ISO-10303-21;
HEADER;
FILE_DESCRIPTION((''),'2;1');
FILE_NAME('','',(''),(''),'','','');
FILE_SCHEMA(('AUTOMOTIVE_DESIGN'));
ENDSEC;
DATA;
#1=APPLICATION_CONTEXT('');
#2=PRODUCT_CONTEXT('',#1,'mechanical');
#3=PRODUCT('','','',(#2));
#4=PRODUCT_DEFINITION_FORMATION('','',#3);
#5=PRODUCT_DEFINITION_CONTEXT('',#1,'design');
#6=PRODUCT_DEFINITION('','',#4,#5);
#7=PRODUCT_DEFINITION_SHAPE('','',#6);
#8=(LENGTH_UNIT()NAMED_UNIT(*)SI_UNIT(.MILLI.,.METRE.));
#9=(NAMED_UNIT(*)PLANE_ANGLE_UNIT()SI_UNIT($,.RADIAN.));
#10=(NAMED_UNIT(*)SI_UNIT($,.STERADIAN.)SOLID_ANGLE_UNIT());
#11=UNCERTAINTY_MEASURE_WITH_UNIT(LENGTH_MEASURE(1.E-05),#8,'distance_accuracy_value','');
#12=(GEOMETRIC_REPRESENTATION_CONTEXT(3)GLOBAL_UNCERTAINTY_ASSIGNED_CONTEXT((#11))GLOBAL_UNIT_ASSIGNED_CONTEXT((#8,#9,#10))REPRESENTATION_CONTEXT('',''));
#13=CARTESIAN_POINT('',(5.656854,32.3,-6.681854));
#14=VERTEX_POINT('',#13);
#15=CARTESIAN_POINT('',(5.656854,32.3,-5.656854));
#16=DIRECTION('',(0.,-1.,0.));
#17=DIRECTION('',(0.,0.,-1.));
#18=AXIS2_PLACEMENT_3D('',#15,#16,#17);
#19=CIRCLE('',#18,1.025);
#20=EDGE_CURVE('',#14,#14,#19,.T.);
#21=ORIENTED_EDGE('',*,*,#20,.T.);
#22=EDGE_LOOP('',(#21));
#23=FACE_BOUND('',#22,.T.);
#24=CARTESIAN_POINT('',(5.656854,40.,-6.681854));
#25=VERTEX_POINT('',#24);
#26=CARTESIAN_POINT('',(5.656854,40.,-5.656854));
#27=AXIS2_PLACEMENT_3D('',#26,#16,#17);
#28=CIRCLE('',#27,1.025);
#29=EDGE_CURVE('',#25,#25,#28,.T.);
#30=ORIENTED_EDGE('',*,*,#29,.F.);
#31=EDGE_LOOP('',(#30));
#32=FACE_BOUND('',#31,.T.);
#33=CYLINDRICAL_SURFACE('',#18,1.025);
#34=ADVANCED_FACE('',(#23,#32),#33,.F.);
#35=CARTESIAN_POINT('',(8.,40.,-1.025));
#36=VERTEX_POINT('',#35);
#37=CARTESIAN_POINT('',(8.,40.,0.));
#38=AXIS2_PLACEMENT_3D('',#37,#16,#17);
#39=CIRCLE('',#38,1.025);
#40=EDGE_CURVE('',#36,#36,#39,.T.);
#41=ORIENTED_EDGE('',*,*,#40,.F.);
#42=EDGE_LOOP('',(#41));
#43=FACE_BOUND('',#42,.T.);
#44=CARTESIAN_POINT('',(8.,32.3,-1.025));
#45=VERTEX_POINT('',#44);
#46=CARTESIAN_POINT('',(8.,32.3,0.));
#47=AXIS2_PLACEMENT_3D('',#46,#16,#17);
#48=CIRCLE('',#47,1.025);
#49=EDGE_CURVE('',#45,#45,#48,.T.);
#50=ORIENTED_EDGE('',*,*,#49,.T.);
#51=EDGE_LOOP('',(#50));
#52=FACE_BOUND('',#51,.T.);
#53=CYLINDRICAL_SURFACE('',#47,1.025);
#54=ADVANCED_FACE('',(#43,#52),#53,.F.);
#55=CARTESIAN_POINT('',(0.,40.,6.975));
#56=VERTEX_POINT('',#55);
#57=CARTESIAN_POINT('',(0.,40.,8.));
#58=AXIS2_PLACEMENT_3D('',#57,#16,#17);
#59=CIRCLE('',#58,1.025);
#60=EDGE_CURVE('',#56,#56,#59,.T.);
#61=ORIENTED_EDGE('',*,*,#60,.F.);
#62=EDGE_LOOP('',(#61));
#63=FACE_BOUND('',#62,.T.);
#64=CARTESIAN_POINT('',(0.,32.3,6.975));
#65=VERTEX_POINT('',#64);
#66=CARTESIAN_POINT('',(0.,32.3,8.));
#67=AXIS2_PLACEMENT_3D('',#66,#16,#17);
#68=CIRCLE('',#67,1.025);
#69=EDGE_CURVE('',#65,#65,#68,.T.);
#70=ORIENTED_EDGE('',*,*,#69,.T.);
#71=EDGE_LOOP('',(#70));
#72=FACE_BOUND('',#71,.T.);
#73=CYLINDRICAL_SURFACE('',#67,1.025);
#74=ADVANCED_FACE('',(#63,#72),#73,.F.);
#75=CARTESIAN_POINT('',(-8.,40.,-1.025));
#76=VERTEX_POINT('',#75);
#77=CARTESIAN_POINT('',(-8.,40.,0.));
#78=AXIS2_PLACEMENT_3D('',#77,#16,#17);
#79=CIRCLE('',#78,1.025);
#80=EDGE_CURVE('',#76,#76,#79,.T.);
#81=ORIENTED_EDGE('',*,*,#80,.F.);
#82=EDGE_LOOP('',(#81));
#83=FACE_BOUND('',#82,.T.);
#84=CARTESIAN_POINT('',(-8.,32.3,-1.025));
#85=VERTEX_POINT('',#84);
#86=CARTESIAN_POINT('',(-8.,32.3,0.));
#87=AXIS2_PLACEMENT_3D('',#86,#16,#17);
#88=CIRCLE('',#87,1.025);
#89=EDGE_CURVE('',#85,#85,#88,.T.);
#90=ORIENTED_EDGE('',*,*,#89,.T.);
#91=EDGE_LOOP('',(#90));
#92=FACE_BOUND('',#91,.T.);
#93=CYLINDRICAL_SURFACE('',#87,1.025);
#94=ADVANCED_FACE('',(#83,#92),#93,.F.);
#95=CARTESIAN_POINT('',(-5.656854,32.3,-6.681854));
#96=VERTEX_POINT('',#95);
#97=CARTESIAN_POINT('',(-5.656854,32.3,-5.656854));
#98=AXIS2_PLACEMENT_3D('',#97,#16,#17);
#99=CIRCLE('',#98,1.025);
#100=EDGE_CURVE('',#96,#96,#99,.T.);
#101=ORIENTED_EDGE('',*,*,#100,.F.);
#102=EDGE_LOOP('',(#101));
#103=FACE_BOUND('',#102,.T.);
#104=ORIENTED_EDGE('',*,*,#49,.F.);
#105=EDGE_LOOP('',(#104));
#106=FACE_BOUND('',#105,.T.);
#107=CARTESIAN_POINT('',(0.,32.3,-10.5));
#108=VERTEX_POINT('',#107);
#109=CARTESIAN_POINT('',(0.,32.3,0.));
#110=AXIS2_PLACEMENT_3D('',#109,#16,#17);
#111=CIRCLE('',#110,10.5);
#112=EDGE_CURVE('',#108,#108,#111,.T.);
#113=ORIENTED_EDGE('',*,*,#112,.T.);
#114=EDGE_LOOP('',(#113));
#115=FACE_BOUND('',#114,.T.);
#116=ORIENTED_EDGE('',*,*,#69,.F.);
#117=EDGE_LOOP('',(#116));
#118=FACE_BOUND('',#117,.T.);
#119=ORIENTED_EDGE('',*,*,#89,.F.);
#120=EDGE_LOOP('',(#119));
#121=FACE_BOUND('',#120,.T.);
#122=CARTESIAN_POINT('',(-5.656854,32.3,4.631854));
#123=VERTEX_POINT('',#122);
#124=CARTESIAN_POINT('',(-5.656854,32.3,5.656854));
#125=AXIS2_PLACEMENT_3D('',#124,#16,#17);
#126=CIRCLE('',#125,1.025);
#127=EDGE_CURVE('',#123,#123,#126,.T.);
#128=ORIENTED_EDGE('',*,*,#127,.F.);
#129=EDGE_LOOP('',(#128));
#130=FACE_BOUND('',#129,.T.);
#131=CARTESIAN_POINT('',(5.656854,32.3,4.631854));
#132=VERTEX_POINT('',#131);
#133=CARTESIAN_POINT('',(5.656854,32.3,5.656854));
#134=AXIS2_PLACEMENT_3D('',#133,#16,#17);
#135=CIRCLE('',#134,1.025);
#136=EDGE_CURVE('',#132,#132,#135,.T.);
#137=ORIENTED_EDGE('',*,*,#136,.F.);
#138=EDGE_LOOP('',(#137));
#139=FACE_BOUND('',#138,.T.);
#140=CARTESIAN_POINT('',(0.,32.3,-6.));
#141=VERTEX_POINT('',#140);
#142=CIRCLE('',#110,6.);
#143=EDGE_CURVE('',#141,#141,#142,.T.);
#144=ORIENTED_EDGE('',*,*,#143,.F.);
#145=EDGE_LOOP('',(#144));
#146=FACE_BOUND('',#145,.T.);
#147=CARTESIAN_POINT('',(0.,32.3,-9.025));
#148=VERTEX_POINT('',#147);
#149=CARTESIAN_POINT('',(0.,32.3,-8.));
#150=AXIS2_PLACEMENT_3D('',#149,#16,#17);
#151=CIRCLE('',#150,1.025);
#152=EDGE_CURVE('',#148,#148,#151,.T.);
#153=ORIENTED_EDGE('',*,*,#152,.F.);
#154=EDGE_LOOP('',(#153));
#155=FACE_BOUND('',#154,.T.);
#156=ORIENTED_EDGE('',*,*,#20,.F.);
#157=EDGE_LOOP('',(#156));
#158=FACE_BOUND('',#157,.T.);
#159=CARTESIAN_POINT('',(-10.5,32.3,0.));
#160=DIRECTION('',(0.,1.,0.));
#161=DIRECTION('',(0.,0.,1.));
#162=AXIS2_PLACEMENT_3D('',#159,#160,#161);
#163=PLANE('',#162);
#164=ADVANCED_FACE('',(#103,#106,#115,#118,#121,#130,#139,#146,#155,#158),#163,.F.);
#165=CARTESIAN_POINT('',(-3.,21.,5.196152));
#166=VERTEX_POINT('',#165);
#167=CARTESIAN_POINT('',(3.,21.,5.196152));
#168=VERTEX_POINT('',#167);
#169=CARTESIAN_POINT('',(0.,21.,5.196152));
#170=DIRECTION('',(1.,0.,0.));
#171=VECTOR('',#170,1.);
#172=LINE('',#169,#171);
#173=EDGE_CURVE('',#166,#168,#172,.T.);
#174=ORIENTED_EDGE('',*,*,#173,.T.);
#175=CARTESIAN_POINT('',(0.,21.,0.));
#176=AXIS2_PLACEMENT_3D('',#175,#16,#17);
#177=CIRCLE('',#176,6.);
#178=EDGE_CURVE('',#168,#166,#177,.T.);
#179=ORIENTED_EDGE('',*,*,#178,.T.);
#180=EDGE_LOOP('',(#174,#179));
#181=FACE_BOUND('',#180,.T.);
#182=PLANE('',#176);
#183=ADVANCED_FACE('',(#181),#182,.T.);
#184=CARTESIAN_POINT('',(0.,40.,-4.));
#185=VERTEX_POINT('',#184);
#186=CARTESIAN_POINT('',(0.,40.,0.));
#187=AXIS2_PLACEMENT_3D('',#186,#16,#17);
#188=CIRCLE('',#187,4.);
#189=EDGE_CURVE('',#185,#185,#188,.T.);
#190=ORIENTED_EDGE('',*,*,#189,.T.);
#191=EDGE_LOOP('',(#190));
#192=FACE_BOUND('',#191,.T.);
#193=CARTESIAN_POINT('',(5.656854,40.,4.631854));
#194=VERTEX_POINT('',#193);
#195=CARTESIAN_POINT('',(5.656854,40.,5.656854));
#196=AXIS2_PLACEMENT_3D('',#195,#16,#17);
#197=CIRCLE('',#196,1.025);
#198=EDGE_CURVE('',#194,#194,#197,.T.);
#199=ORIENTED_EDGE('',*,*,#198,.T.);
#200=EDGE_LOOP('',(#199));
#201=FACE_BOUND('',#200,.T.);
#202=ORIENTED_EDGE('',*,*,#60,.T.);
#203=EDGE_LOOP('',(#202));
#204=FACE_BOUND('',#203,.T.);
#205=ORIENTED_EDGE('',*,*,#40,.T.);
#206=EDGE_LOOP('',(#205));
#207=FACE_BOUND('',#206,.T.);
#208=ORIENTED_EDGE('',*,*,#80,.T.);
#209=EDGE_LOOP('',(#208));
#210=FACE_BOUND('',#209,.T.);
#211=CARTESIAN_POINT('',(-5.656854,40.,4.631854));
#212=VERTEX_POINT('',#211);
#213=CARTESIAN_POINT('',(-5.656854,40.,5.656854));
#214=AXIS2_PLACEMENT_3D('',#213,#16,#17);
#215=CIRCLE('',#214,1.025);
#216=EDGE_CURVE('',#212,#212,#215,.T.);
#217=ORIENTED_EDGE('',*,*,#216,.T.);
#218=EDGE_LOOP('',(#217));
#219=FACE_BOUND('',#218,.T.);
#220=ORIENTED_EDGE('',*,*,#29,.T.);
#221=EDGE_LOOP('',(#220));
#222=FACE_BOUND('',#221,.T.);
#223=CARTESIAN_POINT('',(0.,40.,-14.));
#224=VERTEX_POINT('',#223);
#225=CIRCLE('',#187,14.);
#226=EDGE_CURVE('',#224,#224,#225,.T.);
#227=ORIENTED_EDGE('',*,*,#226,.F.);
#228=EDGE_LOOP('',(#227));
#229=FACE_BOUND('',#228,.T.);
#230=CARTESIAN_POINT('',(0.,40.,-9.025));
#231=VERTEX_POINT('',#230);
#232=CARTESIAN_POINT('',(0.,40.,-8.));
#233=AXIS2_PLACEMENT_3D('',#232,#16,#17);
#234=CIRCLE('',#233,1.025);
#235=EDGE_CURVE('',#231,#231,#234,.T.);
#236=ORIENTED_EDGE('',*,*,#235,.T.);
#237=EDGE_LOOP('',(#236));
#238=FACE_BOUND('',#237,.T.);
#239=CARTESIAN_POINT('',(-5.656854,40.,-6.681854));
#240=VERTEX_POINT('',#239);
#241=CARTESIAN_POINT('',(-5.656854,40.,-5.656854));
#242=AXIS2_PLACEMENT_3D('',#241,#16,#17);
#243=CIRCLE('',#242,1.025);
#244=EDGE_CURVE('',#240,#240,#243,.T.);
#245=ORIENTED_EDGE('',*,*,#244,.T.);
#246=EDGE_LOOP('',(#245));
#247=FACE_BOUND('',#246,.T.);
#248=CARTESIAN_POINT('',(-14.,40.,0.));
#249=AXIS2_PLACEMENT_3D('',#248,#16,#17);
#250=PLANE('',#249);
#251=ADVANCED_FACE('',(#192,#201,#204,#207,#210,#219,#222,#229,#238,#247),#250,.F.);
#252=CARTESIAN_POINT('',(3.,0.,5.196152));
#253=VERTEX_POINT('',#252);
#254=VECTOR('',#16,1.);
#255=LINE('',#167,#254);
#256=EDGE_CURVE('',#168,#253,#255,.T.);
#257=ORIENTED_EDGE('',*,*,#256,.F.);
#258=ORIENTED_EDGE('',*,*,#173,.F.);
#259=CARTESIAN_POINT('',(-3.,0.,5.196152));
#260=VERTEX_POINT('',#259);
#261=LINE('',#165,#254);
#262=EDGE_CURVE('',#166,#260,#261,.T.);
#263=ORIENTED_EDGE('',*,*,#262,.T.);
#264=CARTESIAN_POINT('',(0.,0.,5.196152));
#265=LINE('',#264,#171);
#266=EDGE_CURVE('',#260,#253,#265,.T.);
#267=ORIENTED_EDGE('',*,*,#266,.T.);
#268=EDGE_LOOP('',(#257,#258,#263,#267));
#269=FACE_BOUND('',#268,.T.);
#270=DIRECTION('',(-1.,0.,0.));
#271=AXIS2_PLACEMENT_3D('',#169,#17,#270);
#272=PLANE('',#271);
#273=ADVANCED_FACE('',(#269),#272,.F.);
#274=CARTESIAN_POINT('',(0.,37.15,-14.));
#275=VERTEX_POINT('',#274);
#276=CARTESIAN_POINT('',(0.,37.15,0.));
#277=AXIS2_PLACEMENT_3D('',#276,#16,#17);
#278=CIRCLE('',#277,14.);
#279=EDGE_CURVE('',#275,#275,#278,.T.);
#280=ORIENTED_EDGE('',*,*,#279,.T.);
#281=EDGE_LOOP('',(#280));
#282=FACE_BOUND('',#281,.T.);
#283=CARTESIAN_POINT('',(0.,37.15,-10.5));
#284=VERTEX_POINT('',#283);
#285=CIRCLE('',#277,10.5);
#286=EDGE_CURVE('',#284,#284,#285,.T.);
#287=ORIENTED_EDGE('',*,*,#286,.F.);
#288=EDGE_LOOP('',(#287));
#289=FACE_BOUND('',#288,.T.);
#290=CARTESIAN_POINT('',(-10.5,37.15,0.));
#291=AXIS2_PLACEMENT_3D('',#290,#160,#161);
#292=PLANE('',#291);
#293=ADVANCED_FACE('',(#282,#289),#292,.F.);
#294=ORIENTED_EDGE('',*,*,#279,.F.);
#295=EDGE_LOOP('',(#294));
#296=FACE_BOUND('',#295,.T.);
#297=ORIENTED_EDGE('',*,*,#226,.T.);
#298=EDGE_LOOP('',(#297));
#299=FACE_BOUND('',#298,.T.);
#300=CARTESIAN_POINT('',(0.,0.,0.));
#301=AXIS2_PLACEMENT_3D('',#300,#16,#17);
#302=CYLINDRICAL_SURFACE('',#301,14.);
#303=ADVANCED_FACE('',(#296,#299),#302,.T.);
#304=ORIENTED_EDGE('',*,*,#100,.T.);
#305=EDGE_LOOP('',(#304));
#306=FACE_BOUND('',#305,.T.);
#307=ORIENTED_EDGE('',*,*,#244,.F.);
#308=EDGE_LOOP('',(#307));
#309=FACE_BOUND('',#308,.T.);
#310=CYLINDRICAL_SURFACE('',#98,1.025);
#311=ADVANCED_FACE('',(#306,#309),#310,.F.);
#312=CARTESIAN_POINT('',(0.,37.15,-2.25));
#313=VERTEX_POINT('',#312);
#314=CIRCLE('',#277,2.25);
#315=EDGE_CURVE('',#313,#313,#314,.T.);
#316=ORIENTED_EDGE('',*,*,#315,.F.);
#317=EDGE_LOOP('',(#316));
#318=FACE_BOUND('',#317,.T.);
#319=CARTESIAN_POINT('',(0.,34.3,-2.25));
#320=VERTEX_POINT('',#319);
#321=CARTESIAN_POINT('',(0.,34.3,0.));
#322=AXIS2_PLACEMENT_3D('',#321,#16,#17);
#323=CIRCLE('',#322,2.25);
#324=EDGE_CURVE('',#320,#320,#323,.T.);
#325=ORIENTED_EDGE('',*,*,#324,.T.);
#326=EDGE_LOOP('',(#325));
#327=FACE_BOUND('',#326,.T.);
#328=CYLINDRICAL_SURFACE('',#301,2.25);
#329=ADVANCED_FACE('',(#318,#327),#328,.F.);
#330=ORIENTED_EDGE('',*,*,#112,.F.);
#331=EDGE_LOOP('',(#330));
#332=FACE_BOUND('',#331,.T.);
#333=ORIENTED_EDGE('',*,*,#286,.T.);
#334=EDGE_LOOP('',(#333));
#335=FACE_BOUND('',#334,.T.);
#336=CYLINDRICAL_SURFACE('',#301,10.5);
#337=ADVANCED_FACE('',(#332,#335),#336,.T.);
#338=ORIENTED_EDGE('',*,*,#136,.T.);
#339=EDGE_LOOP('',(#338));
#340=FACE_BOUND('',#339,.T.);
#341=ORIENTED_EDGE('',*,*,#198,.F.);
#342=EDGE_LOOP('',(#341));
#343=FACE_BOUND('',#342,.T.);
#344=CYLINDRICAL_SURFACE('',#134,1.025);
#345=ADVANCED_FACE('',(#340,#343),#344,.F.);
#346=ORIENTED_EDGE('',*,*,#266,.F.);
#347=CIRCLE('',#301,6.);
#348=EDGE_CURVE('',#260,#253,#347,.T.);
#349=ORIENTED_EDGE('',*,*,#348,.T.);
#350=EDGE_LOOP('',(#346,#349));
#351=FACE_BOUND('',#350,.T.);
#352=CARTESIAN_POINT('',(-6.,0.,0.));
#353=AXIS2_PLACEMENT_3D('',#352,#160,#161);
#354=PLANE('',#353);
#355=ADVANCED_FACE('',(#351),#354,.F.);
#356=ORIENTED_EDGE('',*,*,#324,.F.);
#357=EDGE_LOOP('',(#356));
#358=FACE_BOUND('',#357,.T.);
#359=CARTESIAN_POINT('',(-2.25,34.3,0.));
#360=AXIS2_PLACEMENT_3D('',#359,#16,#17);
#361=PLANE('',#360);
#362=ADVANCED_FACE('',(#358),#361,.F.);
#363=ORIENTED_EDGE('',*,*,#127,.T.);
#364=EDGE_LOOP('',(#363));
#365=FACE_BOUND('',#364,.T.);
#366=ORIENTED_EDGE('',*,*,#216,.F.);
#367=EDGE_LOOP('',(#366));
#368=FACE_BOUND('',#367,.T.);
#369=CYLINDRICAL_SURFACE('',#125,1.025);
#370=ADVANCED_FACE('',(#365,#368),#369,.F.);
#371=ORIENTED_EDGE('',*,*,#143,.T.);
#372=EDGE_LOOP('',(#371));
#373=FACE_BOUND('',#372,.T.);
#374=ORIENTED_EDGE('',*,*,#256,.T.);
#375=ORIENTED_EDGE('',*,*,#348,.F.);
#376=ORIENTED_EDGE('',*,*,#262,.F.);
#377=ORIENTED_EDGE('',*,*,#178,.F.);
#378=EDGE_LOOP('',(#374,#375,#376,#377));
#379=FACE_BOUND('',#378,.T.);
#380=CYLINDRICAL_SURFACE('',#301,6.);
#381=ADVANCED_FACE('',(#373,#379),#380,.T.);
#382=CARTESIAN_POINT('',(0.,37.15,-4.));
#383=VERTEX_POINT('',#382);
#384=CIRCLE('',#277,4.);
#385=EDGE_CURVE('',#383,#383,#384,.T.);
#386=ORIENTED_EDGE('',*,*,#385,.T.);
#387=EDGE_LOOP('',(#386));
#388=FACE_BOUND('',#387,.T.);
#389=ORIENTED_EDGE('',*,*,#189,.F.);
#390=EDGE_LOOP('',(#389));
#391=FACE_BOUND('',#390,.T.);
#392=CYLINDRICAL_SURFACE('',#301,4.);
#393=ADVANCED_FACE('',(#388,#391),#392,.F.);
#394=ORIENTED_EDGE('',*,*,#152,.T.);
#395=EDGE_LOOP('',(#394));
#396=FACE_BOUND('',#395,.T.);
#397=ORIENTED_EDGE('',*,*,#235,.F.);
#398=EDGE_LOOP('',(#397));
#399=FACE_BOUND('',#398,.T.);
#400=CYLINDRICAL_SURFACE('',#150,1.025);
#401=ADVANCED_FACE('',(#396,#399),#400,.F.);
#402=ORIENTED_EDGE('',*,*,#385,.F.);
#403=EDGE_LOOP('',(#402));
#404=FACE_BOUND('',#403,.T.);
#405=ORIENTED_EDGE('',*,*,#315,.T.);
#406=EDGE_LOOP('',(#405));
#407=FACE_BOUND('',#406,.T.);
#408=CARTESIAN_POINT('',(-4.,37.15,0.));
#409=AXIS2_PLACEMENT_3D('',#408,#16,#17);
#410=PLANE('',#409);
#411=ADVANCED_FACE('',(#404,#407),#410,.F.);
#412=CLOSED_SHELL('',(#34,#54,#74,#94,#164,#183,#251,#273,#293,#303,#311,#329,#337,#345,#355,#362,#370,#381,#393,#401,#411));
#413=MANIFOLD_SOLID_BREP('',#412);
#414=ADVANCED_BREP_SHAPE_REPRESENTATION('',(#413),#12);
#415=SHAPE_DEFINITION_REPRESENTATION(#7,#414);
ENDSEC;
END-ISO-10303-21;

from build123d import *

# Parameters (mm, degrees)
TAP_DRILL_FOR_M2_5X0_45_TAP2_D = 2.05
CUT_EXTRUDE1_DEPTH             = 21


with BuildPart() as part:
    # Sketch3 → Revolve1 (revolve)
    with BuildSketch(Plane.XY, mode=Mode.PRIVATE) as revolve1_sk:
        Polygon((-2.25, 34.3), (0, 34.3), (0, 0), (-6, 0), (-6, 32.3), (-10.5, 32.3), (-10.5, 37.15), (-14, 37.15), (-14, 40), (-4, 40), (-4, 37.15), (-2.25, 37.15), align=None)
    revolve(revolve1_sk.sketch.rotate(Axis((0, 0, 0), (0, 1, 0)), 270), axis=Axis((0, 0, 0), (0, 1, 0)))

    # Tap Drill for M2.5x0.45 Tap2 (through all)
    with Locations(Plane.XZ.offset(-32.3)):
        with Locations((-5.656854249, 5.656854249), (0, 8), (5.656854249, 5.656854249), (8, 0), (5.656854249, -5.656854249), (0, -8), (-5.656854249, -5.656854249), (-8, 0)):
            Hole(TAP_DRILL_FOR_M2_5X0_45_TAP2_D / 2)

    # Sketch13 → Cut-Extrude1 (cut)
    with BuildSketch(Plane.XZ):
        Polygon((-64.283224073, 5.196152423), (-3, 5.196152423), (3, 5.196152423), (64.283224073, 5.196152423), (64.283224073, 127.762600569), (-64.283224073, 127.762600569), align=None)
    extrude(amount=-CUT_EXTRUDE1_DEPTH, mode=Mode.SUBTRACT)


solid = part.part
